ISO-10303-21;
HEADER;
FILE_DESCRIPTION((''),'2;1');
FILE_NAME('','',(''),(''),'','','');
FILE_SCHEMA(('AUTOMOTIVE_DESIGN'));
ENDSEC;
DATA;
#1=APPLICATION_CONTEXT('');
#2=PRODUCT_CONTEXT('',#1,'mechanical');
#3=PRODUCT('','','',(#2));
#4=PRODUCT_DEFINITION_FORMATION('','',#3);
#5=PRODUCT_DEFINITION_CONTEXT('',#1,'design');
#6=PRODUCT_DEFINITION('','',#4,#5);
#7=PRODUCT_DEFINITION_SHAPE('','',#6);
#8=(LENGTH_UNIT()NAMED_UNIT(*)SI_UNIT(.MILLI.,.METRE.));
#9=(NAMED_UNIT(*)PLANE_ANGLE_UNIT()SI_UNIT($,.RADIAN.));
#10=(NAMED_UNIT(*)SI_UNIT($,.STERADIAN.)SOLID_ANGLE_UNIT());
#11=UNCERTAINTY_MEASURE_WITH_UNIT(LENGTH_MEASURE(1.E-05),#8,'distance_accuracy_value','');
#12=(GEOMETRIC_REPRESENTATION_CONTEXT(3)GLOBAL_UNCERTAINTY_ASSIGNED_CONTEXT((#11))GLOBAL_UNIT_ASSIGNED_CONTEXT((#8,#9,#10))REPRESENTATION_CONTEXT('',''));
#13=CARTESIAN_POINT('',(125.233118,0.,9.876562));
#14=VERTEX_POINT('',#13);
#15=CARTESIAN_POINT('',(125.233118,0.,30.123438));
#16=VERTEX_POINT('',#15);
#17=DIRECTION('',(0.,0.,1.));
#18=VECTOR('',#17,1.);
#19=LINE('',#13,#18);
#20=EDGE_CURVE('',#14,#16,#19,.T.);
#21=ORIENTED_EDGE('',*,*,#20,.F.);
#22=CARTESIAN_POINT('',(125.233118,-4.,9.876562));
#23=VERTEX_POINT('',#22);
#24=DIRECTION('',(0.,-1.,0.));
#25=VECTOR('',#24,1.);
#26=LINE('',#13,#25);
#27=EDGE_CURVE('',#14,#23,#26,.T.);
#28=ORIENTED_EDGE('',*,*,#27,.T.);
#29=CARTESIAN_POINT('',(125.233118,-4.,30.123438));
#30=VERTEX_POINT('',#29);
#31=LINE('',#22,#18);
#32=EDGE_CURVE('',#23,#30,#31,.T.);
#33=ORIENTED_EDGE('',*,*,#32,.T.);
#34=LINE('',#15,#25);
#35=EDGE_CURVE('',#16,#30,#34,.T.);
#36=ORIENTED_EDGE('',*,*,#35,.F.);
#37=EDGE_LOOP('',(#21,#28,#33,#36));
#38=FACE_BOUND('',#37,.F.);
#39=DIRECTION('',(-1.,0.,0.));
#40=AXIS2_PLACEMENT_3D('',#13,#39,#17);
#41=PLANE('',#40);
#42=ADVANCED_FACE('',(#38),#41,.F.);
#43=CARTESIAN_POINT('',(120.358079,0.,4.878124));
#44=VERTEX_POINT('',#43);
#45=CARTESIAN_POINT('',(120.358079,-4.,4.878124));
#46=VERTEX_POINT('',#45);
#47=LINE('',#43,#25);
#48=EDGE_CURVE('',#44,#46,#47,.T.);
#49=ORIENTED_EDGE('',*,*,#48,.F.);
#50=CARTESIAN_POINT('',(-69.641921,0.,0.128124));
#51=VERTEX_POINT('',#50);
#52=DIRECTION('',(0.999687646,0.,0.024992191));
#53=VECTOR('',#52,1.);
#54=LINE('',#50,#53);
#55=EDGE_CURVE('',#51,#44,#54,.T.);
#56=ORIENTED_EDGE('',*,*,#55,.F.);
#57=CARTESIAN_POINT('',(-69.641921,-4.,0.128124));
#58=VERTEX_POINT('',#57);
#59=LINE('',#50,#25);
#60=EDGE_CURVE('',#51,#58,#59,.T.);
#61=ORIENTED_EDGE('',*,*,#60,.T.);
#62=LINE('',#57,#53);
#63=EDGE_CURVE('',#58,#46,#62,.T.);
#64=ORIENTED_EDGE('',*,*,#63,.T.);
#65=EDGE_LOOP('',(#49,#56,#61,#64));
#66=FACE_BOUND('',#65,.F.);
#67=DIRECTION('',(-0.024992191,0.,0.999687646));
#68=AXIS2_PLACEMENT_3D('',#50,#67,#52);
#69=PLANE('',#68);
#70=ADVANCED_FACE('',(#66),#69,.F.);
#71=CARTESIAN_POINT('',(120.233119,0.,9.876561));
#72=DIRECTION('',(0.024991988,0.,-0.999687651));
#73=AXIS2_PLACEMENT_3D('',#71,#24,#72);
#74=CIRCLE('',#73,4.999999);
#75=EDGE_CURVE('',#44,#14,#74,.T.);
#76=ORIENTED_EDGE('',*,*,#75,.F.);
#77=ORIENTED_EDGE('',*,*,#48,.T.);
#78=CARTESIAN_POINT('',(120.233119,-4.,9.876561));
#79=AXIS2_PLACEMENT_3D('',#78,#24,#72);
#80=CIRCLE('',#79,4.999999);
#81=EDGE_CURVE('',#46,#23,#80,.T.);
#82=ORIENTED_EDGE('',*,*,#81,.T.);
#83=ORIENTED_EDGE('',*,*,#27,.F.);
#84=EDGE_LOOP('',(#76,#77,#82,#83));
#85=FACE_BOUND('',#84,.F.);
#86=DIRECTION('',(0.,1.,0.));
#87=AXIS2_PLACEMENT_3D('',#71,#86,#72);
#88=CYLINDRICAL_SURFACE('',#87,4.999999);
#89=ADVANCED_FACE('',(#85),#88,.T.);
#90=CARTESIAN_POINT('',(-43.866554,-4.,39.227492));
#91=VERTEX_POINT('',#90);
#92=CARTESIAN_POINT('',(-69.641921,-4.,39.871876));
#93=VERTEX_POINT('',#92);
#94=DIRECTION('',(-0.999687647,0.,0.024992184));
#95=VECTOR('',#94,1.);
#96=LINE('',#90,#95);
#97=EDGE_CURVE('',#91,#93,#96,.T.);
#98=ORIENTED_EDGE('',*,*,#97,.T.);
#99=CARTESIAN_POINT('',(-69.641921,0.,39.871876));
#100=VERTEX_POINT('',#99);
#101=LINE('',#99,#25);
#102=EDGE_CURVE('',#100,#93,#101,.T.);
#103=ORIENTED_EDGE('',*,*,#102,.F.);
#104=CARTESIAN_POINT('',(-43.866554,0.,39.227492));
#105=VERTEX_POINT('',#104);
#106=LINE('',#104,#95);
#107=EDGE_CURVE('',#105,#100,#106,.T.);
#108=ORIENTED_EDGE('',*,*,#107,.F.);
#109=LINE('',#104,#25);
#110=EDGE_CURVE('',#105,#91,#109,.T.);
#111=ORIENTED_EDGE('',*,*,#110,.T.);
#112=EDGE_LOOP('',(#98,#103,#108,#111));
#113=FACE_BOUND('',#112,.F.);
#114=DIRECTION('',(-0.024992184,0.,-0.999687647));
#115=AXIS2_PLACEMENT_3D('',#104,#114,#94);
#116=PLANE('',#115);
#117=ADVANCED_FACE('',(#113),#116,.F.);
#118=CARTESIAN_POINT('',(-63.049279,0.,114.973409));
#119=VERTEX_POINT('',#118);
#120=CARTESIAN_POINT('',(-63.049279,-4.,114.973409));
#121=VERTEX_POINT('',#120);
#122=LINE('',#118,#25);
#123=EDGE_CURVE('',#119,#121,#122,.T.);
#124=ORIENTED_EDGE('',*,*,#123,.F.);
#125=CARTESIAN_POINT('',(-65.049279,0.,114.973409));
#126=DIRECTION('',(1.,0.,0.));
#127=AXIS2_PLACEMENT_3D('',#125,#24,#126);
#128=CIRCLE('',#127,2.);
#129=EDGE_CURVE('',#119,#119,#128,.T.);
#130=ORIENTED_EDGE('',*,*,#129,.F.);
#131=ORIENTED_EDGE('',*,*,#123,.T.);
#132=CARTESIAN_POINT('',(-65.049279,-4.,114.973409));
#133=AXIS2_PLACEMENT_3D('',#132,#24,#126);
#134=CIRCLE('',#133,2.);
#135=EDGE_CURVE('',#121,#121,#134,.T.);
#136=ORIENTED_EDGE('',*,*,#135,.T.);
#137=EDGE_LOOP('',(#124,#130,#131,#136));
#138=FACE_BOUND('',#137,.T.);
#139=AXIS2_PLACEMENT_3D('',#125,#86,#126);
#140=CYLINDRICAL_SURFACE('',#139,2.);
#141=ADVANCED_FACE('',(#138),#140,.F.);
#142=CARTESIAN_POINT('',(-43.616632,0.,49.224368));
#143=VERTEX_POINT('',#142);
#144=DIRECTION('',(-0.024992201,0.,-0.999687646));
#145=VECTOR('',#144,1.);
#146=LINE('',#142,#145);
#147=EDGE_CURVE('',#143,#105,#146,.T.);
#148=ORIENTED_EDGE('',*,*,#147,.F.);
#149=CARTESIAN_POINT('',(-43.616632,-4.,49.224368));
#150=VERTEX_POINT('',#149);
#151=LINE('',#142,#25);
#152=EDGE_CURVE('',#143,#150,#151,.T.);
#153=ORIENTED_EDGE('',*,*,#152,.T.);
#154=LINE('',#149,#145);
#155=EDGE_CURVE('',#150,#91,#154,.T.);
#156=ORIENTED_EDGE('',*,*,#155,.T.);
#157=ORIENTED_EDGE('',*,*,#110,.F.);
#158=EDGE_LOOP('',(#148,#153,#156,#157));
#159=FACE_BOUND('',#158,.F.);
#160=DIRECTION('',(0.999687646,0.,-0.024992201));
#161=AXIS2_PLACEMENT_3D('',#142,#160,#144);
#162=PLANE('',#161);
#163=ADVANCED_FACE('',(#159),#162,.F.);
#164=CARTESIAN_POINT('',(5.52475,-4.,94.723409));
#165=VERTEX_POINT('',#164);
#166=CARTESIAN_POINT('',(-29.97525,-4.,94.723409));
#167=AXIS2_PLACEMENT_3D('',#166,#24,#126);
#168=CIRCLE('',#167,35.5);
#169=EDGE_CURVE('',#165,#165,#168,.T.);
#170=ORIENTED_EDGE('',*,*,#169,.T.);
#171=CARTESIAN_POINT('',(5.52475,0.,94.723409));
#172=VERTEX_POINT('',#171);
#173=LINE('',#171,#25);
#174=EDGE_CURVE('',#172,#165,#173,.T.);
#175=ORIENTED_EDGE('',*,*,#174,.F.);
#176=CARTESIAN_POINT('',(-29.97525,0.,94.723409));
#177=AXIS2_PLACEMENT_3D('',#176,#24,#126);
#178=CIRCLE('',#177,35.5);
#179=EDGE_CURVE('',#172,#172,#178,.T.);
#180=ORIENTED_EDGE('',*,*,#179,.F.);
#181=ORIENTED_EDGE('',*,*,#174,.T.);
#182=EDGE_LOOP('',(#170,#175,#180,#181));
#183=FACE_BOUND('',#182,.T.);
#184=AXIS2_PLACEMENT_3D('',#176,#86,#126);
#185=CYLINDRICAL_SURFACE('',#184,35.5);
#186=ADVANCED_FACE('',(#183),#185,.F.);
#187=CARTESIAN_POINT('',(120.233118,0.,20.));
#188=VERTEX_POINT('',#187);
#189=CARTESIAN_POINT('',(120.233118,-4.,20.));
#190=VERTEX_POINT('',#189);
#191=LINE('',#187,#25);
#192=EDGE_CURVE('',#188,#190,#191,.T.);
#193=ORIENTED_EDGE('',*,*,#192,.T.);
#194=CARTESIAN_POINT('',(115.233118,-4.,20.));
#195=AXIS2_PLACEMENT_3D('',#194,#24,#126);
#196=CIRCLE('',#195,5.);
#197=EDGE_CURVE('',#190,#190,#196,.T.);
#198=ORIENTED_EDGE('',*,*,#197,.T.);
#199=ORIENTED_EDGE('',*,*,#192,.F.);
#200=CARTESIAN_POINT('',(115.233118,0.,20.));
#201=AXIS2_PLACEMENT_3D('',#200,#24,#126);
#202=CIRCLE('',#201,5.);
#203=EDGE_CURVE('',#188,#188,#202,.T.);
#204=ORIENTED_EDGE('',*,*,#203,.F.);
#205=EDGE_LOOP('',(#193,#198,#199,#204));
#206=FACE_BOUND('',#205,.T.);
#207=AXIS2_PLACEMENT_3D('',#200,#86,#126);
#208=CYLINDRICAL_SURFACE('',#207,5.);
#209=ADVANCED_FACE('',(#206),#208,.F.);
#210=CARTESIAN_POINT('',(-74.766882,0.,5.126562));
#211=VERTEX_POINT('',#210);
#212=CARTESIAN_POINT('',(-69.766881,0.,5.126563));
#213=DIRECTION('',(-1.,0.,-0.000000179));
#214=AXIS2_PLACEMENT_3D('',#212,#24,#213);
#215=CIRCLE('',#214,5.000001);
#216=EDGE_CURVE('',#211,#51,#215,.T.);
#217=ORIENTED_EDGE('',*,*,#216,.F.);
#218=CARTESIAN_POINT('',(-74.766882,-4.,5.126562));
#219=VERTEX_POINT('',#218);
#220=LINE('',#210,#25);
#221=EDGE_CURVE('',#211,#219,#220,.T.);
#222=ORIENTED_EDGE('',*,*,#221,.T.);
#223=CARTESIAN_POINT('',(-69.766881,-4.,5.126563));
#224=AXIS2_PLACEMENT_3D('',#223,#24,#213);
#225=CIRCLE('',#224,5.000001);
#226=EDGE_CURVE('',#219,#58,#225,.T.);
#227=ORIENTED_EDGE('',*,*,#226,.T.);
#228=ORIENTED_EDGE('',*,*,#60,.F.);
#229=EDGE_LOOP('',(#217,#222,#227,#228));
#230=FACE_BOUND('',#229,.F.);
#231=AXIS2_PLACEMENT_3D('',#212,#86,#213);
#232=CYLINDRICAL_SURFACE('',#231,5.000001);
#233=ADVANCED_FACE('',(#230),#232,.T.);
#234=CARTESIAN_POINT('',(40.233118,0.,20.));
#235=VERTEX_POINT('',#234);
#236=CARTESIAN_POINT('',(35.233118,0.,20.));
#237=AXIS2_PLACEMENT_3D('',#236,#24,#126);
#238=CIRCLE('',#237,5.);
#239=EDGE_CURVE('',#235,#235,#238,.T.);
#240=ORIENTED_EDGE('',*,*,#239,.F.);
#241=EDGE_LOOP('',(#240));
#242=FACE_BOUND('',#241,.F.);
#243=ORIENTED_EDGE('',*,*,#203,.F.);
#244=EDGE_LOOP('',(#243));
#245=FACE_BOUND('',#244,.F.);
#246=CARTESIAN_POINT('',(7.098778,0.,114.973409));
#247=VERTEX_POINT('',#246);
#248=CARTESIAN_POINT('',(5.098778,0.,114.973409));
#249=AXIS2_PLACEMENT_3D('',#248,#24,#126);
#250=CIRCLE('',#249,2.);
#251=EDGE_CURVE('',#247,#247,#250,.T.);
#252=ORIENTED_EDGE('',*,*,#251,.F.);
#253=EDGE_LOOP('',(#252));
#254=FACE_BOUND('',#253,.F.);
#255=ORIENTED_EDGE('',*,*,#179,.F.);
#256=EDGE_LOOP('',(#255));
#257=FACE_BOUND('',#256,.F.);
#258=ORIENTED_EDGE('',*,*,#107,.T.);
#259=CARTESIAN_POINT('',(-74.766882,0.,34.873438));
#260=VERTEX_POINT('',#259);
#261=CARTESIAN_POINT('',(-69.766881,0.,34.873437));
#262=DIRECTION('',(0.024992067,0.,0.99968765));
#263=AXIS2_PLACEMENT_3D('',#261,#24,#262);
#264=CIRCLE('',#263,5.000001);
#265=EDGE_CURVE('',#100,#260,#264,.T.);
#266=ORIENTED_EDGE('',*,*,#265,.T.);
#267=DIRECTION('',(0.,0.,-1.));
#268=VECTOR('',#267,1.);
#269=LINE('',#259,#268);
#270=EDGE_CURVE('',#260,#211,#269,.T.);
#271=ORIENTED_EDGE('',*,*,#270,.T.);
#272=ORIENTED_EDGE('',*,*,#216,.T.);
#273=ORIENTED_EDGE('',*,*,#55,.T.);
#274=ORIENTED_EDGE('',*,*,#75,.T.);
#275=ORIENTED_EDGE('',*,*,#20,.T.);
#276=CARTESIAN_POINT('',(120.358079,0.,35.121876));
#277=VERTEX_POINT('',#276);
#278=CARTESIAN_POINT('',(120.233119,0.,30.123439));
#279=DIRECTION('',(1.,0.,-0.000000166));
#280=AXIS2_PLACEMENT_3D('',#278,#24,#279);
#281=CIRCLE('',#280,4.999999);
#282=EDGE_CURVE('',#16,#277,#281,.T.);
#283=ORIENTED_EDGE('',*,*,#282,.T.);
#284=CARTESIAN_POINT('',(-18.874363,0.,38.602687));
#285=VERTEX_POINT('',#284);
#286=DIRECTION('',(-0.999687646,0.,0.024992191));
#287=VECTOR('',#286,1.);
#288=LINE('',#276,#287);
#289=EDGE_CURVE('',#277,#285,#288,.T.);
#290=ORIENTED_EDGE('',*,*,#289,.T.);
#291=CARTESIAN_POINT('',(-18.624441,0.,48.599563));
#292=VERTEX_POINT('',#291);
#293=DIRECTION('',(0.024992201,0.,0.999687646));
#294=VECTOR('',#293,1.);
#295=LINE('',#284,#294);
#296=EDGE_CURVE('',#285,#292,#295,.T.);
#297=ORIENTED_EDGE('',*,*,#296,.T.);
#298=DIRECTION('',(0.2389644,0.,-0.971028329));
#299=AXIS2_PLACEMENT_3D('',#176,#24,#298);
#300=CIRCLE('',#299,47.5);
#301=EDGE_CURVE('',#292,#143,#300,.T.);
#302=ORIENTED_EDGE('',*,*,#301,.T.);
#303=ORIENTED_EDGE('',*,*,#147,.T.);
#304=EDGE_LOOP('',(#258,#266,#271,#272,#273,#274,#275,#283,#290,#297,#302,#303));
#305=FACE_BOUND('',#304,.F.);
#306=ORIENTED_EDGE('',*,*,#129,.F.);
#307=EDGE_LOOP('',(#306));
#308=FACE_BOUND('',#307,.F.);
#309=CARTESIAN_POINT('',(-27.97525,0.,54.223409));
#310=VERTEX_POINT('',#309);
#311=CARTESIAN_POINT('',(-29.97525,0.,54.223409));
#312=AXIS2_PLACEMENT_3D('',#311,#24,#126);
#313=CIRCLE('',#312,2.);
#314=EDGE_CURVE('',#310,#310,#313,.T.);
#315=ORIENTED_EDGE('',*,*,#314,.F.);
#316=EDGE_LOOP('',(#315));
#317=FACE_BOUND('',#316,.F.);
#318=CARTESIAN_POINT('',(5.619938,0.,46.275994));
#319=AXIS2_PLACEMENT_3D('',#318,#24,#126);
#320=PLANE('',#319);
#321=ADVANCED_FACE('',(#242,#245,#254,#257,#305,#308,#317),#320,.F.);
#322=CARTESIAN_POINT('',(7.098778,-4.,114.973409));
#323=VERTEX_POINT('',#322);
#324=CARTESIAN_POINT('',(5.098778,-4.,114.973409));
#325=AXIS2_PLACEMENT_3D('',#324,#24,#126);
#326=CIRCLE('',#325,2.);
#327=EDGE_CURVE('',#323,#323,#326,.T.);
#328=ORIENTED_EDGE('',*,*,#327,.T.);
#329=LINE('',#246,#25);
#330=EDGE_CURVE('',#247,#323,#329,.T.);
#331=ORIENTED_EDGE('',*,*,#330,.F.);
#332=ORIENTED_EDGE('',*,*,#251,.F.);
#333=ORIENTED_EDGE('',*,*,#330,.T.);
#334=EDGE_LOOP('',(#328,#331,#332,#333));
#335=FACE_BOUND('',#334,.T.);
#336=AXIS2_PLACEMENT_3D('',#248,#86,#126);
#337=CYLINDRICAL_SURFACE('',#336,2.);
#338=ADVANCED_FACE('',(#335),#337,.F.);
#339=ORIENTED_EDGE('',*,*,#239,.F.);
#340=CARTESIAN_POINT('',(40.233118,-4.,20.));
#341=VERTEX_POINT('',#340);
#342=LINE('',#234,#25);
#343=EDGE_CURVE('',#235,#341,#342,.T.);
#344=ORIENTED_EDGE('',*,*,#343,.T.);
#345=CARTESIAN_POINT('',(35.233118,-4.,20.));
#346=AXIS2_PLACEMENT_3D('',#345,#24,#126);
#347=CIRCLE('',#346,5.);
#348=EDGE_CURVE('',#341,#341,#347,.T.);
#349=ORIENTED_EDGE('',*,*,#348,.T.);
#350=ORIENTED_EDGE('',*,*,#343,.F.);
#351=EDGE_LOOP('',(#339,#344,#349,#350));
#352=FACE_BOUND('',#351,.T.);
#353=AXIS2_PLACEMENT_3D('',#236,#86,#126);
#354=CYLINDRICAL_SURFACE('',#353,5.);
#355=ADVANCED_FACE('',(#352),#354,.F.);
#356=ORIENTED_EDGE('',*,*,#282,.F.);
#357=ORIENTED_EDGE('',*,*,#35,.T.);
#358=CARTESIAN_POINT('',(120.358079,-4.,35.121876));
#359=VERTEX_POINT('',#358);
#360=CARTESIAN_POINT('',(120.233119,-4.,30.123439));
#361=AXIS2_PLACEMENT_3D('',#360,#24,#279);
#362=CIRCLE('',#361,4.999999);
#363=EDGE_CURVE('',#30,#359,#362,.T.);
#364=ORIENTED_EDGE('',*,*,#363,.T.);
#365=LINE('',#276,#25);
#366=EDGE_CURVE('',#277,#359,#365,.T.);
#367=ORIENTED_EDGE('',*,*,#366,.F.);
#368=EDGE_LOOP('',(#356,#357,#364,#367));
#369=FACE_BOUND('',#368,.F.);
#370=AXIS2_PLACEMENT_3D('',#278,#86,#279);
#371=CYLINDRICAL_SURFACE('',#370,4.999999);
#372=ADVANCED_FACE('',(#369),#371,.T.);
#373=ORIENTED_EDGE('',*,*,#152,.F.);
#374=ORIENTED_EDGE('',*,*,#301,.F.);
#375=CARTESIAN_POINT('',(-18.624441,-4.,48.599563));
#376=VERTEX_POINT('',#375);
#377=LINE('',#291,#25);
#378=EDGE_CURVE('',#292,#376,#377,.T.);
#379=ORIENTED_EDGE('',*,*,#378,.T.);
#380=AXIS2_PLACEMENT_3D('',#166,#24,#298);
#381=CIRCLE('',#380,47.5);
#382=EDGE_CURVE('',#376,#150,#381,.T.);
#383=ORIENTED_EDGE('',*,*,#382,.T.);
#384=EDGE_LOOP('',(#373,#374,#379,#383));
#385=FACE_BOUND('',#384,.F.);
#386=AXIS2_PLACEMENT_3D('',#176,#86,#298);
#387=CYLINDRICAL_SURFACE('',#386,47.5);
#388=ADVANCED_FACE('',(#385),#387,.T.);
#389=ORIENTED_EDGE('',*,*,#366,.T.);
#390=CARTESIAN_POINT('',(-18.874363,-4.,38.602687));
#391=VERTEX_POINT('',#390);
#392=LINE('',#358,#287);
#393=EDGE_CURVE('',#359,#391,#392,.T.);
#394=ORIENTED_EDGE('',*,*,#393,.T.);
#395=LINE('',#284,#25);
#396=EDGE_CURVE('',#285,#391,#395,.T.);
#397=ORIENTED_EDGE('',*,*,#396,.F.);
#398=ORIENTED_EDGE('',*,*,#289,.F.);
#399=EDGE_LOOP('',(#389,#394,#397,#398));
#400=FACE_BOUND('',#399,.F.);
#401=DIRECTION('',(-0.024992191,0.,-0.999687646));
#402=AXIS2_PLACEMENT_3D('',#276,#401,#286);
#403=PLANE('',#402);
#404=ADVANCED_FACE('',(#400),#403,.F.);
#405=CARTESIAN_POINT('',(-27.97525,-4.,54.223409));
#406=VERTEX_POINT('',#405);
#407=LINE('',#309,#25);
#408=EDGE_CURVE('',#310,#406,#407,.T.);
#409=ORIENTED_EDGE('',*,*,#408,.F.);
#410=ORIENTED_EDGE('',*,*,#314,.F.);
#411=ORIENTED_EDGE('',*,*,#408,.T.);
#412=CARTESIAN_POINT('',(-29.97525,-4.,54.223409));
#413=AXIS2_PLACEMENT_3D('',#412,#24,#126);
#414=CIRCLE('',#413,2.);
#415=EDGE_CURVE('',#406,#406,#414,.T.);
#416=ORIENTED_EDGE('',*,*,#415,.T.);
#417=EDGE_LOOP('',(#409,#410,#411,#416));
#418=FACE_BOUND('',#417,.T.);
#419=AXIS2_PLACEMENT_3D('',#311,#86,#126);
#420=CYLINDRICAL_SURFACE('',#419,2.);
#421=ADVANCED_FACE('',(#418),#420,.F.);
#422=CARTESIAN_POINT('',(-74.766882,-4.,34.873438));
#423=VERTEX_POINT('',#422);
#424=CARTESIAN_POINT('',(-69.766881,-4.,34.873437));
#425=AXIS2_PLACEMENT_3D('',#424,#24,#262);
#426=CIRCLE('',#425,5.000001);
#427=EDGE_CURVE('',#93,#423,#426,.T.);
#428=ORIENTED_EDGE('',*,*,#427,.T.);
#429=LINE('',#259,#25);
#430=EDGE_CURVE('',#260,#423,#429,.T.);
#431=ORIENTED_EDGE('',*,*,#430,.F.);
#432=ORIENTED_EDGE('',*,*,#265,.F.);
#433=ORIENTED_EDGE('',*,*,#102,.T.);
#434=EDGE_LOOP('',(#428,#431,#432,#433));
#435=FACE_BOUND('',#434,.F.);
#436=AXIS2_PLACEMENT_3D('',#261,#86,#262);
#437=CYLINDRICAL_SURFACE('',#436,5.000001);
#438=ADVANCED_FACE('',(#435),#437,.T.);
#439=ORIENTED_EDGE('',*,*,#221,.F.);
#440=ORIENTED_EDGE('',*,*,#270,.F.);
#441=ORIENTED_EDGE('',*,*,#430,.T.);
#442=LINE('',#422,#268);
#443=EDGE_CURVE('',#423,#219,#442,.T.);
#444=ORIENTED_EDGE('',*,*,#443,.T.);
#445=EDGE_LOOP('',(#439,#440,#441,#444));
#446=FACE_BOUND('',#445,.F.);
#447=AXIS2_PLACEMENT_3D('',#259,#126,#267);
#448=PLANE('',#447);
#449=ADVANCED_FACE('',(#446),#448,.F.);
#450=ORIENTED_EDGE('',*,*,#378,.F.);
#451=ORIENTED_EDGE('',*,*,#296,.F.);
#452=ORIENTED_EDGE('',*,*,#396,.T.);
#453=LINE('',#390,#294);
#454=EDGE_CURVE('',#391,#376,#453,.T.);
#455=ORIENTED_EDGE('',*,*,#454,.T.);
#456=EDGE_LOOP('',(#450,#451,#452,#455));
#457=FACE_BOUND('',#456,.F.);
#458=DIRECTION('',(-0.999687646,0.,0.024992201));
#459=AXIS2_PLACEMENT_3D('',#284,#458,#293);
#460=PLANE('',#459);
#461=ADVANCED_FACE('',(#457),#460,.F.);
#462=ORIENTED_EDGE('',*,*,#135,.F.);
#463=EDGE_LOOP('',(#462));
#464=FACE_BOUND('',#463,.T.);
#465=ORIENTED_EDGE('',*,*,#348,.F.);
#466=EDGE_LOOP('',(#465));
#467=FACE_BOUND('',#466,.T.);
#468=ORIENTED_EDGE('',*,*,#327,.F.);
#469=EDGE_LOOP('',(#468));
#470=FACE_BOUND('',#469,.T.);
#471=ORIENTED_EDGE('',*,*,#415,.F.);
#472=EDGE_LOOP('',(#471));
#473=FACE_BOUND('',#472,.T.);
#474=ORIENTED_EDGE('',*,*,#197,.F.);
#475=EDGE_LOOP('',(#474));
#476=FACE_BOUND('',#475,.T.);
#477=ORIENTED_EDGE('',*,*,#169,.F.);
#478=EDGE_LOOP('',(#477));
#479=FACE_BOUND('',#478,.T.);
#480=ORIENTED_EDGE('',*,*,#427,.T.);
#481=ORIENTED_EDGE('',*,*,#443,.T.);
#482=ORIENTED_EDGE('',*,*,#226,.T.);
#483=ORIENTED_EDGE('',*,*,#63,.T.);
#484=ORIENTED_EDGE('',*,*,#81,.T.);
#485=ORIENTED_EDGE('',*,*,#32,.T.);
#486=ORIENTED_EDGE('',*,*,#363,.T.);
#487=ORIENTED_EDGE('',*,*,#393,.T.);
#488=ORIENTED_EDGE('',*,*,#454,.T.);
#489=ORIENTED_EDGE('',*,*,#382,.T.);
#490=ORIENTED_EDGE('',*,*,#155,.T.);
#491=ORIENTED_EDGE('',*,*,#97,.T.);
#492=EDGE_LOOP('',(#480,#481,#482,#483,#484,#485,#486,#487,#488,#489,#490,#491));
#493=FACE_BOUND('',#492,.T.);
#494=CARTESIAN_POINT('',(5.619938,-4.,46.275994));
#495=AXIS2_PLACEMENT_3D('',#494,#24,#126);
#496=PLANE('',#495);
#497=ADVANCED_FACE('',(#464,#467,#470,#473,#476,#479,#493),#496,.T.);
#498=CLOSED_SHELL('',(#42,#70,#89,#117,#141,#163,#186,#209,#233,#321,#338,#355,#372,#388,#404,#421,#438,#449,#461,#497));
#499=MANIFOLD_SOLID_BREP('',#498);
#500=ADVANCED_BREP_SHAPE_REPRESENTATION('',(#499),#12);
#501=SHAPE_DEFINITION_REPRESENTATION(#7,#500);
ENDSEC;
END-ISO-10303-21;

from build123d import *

# Parameters (mm, degrees)
F0_R     = 2
F0_R_2   = 5
F0_R_3   = 35.5
F1_DEPTH = 4


with BuildPart() as f1:
    # F0 (on Front) → F1 (new body)
    with BuildSketch(Plane.XZ):
        with BuildLine():
            ThreePointArc((-69.641921, 39.871876), (-73.257956, 38.452879), (-74.766882, 34.873438))
            Line((-74.766882, 34.873438), (-74.766882, 5.126562))
            ThreePointArc((-74.766882, 5.126562), (-73.257956, 1.547121), (-69.641921, 0.128124))
            Line((-69.641921, 0.128124), (120.358079, 4.878124))
            ThreePointArc((120.358079, 4.878124), (123.81256, 6.385488), (125.233118, 9.876562))
            Line((125.233118, 9.876562), (125.233118, 30.123438))
            ThreePointArc((125.233118, 30.123438), (123.81256, 33.614512), (120.358079, 35.121876))
            Line((120.358079, 35.121876), (-18.874363, 38.602687))
            Line((-18.874363, 38.602687), (-18.624441, 48.599563))
            ThreePointArc((-18.624441, 48.599563), (-28.788121, 142.208572), (-43.616632, 49.224368))
            Line((-43.616632, 49.224368), (-43.866554, 39.227492))
            Line((-43.866554, 39.227492), (-69.641921, 39.871876))
        make_face()
        with Locations((-29.97525, 54.223409)):
            Circle(F0_R, mode=Mode.SUBTRACT)
        with Locations((35.233118, 20)):
            Circle(F0_R_2, mode=Mode.SUBTRACT)
        with Locations((115.233118, 20)):
            Circle(F0_R_2, mode=Mode.SUBTRACT)
        with Locations((-29.97525, 94.723409)):
            Circle(F0_R_3, mode=Mode.SUBTRACT)
        with Locations((-65.049279, 114.973409)):
            Circle(F0_R, mode=Mode.SUBTRACT)
        with Locations((5.098778, 114.973409)):
            Circle(F0_R, mode=Mode.SUBTRACT)
    extrude(amount=F1_DEPTH)


solid = f1.part
